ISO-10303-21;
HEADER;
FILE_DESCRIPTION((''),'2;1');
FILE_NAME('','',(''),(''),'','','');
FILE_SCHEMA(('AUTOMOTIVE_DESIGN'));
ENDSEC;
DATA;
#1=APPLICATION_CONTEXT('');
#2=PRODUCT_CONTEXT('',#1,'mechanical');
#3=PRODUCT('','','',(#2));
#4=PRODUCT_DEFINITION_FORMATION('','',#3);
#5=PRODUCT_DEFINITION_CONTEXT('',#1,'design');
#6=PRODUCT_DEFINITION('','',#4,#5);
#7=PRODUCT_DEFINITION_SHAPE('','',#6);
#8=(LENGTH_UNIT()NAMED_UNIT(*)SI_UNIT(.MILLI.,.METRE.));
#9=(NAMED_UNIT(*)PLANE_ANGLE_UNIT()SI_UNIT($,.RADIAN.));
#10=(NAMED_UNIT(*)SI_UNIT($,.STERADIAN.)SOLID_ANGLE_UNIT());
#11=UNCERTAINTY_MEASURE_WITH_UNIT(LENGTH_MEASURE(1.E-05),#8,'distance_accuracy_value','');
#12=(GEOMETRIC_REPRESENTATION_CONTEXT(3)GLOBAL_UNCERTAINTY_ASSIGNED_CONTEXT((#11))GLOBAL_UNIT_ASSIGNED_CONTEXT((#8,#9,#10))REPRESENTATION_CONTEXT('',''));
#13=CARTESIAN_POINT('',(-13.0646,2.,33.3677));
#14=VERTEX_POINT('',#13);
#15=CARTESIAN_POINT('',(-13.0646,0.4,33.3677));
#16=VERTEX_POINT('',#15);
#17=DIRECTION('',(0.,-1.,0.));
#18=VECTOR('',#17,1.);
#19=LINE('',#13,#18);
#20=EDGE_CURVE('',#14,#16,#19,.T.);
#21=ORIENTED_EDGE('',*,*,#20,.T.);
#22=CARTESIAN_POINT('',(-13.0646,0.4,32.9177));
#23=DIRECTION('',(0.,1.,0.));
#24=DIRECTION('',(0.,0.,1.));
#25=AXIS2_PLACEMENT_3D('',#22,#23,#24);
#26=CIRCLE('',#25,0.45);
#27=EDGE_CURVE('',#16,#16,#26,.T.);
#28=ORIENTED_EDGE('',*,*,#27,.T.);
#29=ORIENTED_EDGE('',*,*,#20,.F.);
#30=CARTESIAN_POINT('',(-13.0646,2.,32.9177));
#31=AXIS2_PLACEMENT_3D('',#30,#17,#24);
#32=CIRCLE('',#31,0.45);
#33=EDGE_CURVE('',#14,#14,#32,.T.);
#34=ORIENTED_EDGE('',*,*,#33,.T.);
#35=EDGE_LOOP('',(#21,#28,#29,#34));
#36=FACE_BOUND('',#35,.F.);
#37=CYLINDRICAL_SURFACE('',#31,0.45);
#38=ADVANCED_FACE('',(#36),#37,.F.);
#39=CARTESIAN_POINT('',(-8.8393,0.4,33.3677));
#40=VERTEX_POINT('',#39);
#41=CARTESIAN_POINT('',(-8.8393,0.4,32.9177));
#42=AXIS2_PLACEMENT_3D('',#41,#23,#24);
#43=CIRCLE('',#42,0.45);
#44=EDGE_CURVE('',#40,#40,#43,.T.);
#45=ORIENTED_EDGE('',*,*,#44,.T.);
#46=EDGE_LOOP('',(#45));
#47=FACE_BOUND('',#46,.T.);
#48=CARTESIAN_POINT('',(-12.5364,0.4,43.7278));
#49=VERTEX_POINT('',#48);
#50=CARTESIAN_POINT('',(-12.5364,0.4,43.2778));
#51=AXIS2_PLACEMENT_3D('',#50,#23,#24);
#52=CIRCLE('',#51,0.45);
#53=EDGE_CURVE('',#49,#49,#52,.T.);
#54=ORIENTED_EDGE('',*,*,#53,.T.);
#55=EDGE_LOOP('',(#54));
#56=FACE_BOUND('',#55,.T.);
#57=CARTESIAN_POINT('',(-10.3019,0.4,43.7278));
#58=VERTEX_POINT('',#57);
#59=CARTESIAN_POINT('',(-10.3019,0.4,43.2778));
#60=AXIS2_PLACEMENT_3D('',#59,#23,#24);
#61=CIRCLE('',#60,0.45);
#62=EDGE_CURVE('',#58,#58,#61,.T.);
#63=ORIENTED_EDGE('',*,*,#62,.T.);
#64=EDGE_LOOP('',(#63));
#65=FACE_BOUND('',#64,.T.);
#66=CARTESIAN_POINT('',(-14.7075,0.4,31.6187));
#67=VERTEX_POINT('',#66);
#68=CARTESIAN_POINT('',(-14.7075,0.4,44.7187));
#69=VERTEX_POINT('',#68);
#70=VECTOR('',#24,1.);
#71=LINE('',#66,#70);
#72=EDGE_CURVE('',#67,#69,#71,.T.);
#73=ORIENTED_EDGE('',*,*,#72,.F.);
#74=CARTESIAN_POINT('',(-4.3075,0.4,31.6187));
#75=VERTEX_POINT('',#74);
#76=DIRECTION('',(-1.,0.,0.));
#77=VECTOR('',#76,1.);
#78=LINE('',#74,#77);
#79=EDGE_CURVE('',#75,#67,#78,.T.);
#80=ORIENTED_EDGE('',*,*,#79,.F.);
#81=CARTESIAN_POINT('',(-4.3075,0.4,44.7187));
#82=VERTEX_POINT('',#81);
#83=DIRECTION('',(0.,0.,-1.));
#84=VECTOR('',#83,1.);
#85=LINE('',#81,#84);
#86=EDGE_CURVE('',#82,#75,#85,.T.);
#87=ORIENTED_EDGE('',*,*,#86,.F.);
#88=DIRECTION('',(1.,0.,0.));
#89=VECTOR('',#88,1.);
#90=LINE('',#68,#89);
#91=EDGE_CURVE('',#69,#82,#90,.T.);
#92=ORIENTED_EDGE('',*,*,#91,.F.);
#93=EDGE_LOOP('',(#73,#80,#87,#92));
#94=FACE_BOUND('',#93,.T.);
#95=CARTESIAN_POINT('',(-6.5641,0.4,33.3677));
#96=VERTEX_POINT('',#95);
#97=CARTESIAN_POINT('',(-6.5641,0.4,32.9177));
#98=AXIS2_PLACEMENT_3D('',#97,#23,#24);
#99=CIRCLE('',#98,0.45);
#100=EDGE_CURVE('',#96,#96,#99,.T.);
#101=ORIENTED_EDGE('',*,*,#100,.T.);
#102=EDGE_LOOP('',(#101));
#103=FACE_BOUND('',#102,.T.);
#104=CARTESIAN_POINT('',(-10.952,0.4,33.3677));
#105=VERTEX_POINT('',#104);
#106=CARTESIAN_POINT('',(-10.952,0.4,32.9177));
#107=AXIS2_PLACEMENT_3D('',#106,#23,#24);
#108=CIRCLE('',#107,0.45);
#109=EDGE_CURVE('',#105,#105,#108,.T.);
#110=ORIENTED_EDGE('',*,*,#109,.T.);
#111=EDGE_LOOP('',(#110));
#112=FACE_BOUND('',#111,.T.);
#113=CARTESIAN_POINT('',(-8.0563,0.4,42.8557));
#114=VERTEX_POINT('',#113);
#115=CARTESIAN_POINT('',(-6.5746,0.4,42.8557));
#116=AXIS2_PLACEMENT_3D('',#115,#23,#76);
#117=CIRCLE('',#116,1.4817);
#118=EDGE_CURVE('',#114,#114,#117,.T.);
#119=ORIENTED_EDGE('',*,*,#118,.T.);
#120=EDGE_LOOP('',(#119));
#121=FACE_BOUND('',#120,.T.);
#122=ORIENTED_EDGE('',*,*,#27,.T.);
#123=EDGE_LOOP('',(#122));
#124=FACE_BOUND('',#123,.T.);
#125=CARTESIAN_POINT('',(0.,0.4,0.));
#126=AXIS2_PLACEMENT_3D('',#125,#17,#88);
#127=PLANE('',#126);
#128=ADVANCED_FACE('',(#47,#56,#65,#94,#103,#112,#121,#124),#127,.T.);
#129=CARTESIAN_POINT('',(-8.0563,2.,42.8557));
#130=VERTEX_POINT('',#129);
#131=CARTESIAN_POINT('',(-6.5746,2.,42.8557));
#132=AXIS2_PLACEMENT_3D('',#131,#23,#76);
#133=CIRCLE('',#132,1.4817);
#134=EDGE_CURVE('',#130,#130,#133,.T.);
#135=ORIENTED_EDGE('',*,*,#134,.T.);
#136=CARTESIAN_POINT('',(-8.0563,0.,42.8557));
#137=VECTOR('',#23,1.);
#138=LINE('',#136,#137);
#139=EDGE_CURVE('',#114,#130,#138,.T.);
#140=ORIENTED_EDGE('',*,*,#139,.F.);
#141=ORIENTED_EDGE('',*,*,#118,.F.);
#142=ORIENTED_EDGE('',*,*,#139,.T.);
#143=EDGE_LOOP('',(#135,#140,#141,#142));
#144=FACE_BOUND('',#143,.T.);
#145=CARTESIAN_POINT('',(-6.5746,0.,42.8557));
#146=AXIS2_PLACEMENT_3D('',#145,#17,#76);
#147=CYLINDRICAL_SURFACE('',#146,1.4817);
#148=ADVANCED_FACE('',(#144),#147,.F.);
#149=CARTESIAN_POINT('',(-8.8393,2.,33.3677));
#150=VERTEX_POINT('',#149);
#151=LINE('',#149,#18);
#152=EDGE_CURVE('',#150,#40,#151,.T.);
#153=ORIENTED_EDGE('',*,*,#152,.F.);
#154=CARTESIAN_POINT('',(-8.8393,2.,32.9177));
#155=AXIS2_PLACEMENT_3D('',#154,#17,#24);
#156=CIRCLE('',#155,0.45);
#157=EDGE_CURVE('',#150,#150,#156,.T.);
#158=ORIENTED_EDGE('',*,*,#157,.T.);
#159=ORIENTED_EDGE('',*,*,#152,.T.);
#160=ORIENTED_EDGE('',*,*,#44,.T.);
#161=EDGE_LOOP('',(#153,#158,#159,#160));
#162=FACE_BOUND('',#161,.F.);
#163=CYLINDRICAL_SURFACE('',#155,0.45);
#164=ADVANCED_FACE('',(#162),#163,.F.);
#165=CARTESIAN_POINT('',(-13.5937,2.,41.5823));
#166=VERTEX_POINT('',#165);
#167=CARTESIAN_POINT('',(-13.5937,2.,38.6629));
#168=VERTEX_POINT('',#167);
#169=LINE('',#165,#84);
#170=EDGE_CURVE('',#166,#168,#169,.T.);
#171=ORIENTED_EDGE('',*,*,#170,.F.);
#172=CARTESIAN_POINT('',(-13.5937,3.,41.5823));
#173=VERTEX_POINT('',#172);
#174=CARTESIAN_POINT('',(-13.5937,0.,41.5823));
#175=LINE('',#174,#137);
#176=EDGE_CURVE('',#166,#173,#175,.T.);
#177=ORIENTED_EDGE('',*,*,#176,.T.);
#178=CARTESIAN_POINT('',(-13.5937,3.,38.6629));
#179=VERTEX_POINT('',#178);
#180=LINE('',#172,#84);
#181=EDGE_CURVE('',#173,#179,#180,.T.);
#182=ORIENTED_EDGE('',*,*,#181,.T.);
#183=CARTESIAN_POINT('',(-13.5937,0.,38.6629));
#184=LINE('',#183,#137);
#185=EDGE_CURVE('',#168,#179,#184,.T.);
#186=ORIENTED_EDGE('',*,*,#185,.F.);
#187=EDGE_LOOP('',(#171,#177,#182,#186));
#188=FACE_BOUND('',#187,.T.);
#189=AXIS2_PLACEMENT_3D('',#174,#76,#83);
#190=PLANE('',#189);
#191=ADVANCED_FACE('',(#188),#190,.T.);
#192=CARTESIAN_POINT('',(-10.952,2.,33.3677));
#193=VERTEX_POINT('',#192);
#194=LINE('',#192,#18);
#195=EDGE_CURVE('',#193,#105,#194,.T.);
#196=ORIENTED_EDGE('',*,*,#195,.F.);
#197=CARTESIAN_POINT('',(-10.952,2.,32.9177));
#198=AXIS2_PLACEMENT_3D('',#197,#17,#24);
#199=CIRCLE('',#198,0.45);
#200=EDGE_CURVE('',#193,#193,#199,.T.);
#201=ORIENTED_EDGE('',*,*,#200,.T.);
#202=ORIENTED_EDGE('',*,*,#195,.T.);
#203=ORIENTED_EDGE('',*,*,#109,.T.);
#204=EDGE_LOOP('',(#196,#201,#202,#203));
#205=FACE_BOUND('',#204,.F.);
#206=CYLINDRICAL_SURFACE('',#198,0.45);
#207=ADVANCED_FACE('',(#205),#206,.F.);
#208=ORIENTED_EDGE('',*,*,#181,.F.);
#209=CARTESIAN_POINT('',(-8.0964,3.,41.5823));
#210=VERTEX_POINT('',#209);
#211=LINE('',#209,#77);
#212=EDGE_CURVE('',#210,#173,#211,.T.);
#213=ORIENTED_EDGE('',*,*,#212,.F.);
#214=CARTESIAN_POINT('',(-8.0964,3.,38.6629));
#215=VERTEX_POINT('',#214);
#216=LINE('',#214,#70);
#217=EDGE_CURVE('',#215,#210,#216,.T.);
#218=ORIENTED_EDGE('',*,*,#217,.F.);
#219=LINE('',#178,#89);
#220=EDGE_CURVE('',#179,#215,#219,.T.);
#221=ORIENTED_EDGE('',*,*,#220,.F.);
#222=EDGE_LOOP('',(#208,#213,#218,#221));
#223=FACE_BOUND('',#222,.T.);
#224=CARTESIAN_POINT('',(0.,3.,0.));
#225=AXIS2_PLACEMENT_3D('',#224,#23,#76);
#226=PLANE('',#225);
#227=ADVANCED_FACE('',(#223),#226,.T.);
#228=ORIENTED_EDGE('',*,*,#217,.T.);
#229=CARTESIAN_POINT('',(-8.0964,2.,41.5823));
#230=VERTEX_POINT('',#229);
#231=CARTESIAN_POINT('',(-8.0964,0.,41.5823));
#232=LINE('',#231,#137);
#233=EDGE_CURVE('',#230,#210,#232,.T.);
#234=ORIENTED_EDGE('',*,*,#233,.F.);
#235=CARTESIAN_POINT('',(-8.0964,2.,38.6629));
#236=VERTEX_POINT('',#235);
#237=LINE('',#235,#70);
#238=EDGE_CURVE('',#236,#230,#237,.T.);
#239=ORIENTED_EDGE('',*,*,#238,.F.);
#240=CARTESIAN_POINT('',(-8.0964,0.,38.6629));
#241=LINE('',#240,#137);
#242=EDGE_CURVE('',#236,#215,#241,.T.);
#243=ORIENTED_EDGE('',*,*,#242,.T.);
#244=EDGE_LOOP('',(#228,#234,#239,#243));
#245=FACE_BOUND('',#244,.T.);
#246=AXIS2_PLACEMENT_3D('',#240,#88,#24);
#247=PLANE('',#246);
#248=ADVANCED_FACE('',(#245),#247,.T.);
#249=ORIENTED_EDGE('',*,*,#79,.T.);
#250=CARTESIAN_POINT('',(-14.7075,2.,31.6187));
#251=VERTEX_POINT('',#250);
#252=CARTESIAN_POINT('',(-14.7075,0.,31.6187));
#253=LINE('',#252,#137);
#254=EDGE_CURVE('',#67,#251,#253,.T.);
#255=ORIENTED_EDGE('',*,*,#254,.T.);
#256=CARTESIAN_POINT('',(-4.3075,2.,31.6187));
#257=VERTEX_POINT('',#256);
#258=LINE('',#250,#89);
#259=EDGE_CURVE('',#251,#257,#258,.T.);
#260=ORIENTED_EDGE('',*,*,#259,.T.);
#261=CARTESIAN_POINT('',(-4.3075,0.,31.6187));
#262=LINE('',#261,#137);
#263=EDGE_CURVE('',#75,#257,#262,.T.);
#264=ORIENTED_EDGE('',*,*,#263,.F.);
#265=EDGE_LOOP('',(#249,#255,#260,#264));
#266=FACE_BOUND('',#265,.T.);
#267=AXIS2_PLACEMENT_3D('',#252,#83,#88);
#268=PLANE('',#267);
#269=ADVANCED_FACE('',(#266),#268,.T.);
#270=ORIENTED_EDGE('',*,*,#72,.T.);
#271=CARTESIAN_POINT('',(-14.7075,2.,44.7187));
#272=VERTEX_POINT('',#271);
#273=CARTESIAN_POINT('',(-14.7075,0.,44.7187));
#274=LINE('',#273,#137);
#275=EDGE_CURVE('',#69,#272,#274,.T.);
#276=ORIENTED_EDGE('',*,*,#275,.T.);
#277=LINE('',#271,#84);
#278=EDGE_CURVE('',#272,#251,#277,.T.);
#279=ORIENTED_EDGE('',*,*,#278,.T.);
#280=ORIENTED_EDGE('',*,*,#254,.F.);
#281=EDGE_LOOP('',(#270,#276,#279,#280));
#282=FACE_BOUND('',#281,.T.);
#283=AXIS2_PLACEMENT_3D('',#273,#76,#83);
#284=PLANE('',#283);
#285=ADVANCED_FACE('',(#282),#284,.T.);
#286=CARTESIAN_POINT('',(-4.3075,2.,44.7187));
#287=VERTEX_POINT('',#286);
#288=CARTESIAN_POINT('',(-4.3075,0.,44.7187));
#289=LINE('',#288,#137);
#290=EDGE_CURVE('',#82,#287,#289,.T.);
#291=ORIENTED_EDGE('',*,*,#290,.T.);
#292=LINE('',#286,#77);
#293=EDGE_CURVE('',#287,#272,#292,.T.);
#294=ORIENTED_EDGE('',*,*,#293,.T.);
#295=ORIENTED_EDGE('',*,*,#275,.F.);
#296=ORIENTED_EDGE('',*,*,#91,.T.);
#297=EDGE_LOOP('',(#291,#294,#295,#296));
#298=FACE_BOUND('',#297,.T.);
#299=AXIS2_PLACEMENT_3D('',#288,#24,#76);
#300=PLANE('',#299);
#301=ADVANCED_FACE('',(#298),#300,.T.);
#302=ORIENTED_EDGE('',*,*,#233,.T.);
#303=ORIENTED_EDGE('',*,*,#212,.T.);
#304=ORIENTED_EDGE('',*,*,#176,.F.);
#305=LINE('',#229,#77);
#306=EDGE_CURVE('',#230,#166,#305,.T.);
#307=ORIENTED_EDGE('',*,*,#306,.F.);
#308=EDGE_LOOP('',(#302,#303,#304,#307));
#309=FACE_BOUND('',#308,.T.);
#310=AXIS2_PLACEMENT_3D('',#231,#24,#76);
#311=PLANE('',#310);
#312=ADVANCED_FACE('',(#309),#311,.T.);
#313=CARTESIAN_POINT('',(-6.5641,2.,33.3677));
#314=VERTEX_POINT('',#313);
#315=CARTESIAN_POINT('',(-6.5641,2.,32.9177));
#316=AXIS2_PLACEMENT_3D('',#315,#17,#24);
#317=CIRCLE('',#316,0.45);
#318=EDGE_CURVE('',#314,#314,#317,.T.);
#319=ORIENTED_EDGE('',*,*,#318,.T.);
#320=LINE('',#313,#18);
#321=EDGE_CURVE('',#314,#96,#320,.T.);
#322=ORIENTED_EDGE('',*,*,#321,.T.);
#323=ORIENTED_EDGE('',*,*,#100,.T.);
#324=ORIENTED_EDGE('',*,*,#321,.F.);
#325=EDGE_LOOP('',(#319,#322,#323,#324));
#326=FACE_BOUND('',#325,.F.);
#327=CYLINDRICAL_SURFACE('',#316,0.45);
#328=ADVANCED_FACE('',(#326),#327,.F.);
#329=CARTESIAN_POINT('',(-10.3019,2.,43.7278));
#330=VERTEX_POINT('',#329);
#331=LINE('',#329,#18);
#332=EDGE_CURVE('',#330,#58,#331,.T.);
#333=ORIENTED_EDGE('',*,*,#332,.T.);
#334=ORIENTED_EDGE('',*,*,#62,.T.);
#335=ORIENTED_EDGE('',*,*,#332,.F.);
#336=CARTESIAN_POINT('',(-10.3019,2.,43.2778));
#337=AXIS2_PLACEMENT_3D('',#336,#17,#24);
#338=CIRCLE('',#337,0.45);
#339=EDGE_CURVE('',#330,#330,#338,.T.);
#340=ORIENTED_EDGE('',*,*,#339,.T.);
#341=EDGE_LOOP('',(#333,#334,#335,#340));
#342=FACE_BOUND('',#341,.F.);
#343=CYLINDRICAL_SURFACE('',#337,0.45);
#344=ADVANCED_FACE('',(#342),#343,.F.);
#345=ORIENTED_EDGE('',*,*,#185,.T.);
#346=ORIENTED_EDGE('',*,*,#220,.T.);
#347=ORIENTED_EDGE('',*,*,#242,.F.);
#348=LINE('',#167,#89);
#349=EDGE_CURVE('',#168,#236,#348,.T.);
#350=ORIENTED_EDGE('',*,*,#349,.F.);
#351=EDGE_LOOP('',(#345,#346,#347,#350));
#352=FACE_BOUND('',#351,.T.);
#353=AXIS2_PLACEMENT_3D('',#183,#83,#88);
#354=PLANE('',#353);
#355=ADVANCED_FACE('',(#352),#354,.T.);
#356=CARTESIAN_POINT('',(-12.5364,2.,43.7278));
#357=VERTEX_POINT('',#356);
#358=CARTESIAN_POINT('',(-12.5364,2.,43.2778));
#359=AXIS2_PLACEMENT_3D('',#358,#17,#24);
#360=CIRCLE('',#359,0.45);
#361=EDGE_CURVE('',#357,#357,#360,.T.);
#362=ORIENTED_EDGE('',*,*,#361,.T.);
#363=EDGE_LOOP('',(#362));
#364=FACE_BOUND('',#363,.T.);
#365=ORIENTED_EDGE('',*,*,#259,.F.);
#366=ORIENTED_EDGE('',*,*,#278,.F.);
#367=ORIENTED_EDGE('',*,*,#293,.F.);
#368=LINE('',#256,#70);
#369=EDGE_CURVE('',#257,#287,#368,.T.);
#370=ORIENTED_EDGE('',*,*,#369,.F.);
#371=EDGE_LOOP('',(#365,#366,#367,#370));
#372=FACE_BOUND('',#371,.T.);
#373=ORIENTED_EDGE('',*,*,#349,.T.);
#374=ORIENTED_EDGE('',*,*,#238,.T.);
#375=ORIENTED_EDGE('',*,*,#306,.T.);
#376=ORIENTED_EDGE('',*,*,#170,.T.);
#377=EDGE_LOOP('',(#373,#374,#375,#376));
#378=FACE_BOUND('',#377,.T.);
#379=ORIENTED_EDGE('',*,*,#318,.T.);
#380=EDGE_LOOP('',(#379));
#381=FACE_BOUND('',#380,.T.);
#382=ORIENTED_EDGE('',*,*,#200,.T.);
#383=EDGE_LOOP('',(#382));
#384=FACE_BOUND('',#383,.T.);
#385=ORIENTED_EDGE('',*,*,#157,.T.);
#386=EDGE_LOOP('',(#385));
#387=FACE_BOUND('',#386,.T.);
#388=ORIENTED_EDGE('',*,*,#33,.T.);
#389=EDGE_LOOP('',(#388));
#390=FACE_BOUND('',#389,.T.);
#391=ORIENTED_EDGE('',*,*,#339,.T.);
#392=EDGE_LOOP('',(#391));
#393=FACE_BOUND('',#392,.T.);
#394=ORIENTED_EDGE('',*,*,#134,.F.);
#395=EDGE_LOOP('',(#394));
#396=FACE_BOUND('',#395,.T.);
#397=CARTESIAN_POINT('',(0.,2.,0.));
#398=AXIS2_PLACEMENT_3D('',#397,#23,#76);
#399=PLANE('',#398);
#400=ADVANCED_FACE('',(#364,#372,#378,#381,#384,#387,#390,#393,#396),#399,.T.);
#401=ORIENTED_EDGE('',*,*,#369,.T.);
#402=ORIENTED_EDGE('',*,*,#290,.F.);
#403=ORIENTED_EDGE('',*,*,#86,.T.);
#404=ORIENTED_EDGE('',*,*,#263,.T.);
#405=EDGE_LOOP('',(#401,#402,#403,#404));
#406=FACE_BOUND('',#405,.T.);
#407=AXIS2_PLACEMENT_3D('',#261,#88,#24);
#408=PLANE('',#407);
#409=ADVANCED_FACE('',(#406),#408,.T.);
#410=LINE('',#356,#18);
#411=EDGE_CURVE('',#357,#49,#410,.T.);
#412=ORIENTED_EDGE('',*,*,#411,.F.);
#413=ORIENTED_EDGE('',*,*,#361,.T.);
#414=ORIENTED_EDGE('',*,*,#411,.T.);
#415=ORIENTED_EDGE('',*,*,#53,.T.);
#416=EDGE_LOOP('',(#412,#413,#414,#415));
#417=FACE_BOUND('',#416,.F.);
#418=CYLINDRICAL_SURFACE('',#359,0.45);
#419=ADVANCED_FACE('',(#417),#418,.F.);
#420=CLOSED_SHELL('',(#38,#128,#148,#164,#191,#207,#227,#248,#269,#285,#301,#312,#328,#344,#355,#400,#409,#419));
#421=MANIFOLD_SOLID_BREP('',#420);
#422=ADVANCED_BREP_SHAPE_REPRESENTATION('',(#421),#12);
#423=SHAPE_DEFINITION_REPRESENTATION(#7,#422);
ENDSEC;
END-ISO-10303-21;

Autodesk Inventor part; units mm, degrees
ref_plane "YZ Plane" through (0, 0, 0) normal (1, 0, 0) x (0, 1, 0)
ref_plane "XZ Plane" through (0, 0, 0) normal (0, 1, 0) x (-1, 0, 0)
ref_plane "XY Plane" through (0, 0, 0) normal (0, 0, 1) x (1, 0, 0)
sketch "Sketch1" plane through (0, 0, 0) normal (0, 1, 0) x (-1, 0, 0)
  line L0 (14.7075, 31.6187) -> (4.3075, 31.6187)
  line L1 (4.3075, 31.6187) -> (4.3075, 44.7187)
  line L2 (4.3075, 44.7187) -> (14.7075, 44.7187)
  line L3 (14.7075, 44.7187) -> (14.7075, 31.6187)
  line L4 (13.5937, 38.6629) -> (8.0964, 38.6629)
  line L5 (8.0964, 38.6629) -> (8.0964, 41.5823)
  line L6 (8.0964, 41.5823) -> (13.5937, 41.5823)
  line L7 (13.5937, 41.5823) -> (13.5937, 38.6629)
  circle A0 centre (6.5746, 42.8557) radius 1.4817
  point P0 (0, 0)
  dimension "d0" = 10.4
  dimension "d1" = 13.1
extrude "Extrusion1" add sketch "Sketch1" along normal blind 2
extrude "Extrusion2" add sketch "Sketch1" along normal blind 3 contours L4 L5 L6 L7
sketch "Sketch2" plane through (0, 2, 0) normal (0, 1, 0) x (1, 0, 0)
  line L0 (-13.674, -32.9177) -> (-5.5891, -32.9177)
  line L1 (-13.5937, -43.2778) -> (-9.2456, -43.2778)
  point P0 (0, 0)
  point P1 (-13.0646, -32.9177)
  point P2 (-6.5641, -32.9177)
  point P3 (-10.952, -32.9177)
  point P4 (-8.8393, -32.9177)
  point P5 (-12.5364, -43.2778)
  point P6 (-10.3019, -43.2778)
hole "Hole1" at (-13.0646, 2, 32.9177) at (-6.5641, 2, 32.9177) at (-10.952, 2, 32.9177) at (-8.8393, 2, 32.9177) at (-12.5364, 2, 43.2778) at (-10.3019, 2, 43.2778) direction (0, -1, 0) diameter 0.9 end through all
sketch "Sketch3" plane through (0, 0, 0) normal (0, -1, 0) x (1, 0, 0)
  circle A0 centre (-12.5364, 43.2778) radius 0.45 projected
  circle A1 centre (-10.952, 32.9177) radius 0.45 projected
  circle A2 centre (-13.0646, 32.9177) radius 0.45 projected
  circle A3 centre (-6.5641, 32.9177) radius 0.45 projected
  circle A4 centre (-8.8393, 32.9177) radius 0.45 projected
  circle A5 centre (-10.3019, 43.2778) radius 0.45 projected
  line L0 (-14.7075, 44.7187) -> (-4.3075, 44.7187) projected
  line L1 (-14.7075, 31.6187) -> (-14.7075, 44.7187) projected
  line L2 (-4.3075, 31.6187) -> (-14.7075, 31.6187) projected
  line L3 (-4.3075, 44.7187) -> (-4.3075, 31.6187) projected
  circle A6 centre (-6.5746, 42.8557) radius 1.4817 projected
  point P0 (0, 0)
extrude "Extrusion3" cut sketch "Sketch3" against normal blind 0.4
sketch "Sketch4" plane through (-13.5937, 2, 41.5823) normal (0, 0, 1) x (1, 0, 0)
  line L0 (5.4973, 0) -> (0, 0) projected
  line L1 (5.4973, 0) -> (5.4973, 1) projected
  line L2 (0, 1) -> (5.4973, 1) projected
  line L3 (0, 0) -> (0, 1) projected
  line L4 (9.2862, 0) -> (-1.1138, 0) projected
  line L5 (2.7486, 0) -> (2.7486, 3.0289)
  line L6 (2.7486, 0) -> (3.8152, 4.8108)
  line L7 (2.7486, 0) -> (1.9494, 3.6052)
  line L8 (3.8152, 4.8108) -> (52.0967, 222.5946)
  line L9 (1.9494, 3.6052) -> (-46.5994, 222.5946)
  arc A0 (52.0967, 222.5946) -> (-46.5994, 222.5946) centre (2.7486, 0) ccw
  point P0 (13.5937, -2)
  dimension "d15" = 12.5
  dimension "d16" = 12.5
properties part number "tof"
